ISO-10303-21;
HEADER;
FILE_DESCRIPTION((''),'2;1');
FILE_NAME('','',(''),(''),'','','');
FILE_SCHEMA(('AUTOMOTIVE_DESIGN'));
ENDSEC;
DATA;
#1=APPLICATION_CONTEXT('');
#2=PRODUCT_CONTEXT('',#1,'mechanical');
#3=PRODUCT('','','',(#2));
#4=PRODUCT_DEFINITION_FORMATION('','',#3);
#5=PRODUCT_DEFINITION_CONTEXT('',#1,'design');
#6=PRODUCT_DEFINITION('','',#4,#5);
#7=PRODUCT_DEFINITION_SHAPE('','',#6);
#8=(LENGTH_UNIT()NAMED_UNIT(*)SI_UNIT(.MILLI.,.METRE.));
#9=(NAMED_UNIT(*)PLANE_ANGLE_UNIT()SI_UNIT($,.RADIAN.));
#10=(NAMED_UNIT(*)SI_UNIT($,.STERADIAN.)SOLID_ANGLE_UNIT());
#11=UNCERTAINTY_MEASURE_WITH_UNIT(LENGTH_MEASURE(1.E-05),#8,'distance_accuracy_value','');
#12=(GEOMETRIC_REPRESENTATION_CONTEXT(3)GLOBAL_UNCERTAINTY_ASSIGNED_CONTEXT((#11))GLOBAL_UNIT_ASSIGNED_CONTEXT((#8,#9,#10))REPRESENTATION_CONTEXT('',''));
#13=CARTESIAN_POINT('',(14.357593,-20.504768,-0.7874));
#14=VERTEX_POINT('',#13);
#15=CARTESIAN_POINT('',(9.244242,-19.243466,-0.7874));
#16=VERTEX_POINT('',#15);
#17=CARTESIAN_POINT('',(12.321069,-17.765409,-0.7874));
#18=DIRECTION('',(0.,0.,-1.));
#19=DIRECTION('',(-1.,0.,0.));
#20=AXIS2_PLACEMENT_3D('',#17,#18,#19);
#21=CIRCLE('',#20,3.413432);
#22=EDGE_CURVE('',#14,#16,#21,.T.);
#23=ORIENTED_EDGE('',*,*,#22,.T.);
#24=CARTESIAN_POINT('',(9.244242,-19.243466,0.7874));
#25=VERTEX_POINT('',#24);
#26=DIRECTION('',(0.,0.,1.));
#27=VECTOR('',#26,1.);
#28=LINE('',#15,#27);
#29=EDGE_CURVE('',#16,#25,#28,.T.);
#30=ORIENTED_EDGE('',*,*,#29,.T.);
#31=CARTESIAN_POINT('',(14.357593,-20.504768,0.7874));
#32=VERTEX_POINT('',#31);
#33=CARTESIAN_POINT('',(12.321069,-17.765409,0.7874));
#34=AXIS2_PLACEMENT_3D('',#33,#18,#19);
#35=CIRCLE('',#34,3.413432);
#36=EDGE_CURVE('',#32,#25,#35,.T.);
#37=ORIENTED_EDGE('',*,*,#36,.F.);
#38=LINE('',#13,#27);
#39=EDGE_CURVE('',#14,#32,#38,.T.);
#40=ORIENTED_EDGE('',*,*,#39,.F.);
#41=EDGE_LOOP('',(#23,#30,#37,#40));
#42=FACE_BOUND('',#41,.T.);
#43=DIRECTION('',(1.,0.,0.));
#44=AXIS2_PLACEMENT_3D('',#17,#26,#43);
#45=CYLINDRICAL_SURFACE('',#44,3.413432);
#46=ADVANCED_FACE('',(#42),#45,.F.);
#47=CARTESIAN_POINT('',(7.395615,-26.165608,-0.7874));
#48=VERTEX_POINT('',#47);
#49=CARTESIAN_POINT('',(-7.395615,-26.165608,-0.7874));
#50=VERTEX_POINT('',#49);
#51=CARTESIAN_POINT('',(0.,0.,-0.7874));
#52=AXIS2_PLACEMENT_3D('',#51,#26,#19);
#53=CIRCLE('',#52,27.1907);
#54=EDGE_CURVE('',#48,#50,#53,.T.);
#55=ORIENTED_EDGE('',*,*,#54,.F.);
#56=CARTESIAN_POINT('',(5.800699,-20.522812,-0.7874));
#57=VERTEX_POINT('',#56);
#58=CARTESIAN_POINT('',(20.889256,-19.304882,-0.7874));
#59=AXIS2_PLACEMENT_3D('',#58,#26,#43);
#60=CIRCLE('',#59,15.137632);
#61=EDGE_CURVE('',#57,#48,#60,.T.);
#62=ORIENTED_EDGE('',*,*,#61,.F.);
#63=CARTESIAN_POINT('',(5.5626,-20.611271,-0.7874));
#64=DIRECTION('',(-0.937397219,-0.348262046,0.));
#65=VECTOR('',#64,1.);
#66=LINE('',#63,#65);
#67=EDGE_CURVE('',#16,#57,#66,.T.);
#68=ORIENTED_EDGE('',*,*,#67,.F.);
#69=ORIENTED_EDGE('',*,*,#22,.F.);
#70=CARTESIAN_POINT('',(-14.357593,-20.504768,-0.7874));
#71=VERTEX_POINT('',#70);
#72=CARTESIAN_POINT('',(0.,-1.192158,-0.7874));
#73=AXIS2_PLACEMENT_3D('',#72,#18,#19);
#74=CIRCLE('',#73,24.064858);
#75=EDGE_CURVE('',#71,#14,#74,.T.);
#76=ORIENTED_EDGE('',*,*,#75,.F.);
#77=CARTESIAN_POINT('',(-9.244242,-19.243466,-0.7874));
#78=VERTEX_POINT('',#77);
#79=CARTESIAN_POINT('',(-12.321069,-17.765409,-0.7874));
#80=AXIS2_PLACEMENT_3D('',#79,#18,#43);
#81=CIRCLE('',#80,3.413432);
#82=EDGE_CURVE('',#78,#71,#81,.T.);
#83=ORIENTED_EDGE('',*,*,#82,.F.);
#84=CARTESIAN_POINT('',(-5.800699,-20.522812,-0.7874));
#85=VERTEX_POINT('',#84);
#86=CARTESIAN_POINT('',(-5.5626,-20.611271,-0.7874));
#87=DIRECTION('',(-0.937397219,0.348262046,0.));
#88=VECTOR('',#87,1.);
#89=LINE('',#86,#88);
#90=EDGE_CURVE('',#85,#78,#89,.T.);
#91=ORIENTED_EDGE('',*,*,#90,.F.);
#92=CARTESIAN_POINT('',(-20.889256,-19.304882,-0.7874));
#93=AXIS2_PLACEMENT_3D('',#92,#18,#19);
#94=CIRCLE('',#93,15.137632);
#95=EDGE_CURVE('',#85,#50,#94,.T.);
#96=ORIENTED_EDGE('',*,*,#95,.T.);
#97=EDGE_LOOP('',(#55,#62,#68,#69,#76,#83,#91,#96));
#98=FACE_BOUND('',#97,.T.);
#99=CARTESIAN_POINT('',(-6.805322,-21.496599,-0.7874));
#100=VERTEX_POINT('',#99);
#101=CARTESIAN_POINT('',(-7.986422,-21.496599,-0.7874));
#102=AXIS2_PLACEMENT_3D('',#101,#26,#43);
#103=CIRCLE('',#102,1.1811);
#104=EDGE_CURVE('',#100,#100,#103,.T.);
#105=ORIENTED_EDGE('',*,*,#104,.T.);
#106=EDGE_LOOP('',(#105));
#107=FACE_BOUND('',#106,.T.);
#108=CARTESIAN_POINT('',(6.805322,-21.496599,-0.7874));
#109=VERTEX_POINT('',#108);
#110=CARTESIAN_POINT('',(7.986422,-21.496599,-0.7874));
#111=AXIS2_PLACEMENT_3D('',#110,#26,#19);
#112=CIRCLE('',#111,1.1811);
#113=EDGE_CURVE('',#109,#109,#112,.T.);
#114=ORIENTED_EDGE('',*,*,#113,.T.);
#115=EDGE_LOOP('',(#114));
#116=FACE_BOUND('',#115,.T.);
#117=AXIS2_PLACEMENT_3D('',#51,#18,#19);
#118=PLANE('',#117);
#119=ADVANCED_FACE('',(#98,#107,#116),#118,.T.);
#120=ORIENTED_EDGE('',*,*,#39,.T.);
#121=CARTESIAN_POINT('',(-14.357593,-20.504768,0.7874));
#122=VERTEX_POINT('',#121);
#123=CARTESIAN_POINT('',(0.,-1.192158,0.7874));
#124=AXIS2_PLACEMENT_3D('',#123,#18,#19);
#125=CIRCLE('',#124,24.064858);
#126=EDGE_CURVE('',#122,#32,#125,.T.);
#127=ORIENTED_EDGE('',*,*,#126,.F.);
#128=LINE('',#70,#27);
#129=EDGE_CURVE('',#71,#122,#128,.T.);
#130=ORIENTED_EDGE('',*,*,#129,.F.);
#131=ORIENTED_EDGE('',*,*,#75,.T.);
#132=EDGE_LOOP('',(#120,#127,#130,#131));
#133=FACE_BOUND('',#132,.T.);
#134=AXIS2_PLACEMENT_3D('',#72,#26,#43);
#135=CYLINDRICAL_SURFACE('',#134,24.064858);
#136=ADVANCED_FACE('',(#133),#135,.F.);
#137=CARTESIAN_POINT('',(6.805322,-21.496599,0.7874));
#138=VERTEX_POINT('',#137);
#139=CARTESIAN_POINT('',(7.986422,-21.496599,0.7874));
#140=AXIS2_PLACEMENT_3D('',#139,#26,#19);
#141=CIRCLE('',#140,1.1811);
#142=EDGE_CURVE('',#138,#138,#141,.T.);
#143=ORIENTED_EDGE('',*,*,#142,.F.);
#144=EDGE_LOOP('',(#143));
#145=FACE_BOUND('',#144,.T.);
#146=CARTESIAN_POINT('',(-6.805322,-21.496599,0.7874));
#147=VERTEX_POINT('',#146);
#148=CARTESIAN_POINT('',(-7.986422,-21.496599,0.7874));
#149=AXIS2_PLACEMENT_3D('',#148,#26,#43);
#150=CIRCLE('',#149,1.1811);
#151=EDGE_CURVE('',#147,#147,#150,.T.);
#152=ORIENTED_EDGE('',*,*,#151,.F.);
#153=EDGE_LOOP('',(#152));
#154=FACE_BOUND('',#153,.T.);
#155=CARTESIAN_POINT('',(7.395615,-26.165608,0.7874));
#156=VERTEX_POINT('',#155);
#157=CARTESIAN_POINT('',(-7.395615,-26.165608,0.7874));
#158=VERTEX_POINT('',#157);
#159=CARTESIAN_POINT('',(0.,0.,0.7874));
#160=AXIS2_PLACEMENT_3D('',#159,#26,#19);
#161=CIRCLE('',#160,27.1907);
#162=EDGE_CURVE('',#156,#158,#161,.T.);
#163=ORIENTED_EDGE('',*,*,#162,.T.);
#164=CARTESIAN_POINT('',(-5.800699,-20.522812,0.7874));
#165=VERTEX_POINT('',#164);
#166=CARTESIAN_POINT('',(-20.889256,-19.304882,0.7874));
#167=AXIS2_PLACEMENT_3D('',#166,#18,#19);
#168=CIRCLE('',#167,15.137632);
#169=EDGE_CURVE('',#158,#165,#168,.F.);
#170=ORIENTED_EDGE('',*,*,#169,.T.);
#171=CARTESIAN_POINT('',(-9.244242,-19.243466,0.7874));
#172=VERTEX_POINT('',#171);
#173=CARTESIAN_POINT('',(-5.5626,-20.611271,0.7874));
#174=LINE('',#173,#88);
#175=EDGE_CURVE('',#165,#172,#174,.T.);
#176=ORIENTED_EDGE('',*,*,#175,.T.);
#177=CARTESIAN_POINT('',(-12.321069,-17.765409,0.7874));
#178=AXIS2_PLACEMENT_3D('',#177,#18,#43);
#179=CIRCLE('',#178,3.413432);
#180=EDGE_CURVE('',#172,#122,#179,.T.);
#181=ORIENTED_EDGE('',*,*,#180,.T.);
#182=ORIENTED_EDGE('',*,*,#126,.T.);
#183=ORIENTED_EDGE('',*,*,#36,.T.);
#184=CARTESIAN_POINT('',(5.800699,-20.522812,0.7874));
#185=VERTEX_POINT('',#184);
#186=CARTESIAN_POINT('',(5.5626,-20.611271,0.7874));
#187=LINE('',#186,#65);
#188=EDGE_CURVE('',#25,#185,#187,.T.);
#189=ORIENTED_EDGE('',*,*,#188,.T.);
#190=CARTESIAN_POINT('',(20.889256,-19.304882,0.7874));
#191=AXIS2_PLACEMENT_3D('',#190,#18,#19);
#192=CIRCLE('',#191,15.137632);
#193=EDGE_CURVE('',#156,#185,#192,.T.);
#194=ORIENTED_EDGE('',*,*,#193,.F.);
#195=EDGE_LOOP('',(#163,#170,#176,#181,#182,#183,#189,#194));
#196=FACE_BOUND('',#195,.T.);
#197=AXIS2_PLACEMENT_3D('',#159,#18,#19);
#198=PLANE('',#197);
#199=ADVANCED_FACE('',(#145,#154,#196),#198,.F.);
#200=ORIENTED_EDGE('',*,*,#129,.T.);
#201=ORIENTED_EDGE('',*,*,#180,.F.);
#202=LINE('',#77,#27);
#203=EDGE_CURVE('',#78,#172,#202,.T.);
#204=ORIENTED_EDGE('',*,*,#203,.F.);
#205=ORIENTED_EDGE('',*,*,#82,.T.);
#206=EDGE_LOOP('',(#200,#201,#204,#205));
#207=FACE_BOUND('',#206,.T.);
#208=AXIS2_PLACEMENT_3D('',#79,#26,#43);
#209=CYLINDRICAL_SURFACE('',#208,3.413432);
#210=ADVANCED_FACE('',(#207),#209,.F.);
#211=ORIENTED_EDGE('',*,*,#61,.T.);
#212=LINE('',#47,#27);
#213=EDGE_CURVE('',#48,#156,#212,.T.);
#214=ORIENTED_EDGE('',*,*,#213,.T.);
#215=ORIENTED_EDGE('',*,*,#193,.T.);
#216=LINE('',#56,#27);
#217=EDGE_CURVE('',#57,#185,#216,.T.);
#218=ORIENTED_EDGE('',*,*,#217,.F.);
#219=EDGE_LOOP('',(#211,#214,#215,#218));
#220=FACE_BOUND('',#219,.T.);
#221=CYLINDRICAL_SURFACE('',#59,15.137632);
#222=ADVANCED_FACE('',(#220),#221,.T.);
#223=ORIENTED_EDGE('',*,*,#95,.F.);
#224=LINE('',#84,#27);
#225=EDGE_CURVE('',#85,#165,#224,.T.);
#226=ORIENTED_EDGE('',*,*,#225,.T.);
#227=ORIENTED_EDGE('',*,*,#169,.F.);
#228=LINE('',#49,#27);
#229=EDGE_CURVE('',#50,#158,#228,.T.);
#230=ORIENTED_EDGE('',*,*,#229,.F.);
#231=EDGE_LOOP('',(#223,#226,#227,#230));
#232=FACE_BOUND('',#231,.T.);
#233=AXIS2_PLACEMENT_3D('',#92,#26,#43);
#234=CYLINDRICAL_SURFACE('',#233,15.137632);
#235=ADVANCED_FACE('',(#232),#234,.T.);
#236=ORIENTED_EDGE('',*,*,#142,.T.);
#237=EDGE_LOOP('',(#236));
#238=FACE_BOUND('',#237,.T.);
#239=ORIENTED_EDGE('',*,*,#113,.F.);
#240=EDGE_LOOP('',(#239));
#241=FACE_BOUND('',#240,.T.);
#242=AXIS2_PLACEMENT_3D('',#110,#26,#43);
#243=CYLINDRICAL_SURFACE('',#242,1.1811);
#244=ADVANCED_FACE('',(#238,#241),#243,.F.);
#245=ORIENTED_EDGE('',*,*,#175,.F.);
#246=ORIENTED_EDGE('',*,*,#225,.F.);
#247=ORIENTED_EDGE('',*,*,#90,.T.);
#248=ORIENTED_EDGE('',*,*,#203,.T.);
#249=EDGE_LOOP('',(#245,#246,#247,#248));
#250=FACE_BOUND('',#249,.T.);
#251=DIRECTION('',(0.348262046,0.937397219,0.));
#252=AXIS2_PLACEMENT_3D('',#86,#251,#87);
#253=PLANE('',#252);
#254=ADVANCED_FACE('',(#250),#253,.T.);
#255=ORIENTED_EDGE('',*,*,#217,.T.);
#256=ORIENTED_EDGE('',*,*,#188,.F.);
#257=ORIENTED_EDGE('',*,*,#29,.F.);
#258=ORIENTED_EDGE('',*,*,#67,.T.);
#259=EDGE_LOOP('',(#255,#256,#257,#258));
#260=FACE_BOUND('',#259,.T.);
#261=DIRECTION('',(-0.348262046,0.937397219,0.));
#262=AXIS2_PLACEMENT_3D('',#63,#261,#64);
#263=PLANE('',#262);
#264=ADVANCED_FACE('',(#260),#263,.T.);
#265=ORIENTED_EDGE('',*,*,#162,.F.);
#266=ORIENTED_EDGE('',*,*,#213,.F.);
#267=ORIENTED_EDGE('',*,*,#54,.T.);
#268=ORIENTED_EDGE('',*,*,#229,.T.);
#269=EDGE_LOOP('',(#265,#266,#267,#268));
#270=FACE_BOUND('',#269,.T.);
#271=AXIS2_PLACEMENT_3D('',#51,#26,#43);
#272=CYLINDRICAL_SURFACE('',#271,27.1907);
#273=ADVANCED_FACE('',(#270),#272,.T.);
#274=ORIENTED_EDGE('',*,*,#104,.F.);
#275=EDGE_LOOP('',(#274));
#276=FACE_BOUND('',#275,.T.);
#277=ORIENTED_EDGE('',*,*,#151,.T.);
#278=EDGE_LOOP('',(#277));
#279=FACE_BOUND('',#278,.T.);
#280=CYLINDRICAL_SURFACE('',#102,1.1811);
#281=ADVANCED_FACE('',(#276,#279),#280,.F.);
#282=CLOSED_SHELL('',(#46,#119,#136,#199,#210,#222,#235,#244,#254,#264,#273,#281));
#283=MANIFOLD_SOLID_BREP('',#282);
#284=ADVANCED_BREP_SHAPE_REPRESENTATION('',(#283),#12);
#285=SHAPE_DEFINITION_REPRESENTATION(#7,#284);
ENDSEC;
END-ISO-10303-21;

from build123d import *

# Parameters (mm, degrees)
SKETCH3_R                = 1.1811
BOSS_EXTRUDE1_DEPTH      = 0.7874
BOSS_EXTRUDE1_DEPTH_BACK = 0.7874
CUT_EXTRUDE1_DEPTH       = 1.7874


with BuildPart() as part:
    # Sketch3 → Boss-Extrude1 (new body, two sides)
    with BuildSketch(Plane.XY) as boss_extrude1_sk:
        with BuildLine():
            Line((-7.084786794, -26.251475436), (-5.5626, -20.611270532))
            Line((-5.5626, -20.611270532), (-9.244241607, -19.243466133))
            ThreePointArc((-9.244241607, -19.243466133), (-11.503586026, -21.079506525), (-14.357593282, -20.504768227))
            ThreePointArc((-14.357593282, -20.504768227), (0, 22.8727), (14.357593282, -20.504768227))
            ThreePointArc((14.357593282, -20.504768227), (11.503586026, -21.079506525), (9.244241607, -19.243466133))
            Line((9.244241607, -19.243466133), (5.5626, -20.611270532))
            Line((5.5626, -20.611270532), (7.084786794, -26.251475436))
            ThreePointArc((7.084786794, -26.251475436), (0, 27.1907), (-7.084786794, -26.251475436))
        make_face()
        with Locations((-7.986421892, -21.496599331)):
            Circle(SKETCH3_R, mode=Mode.SUBTRACT)
        with Locations((7.986421892, -21.496599331)):
            Circle(SKETCH3_R, mode=Mode.SUBTRACT)
    extrude(amount=BOSS_EXTRUDE1_DEPTH)
    extrude(boss_extrude1_sk.sketch, amount=-BOSS_EXTRUDE1_DEPTH_BACK)

    # Sketch4 → Cut-Extrude1 (cut, symmetric)
    with BuildSketch(Plane.XY):
        with BuildLine():
            Line((-7.395614895, -26.165608092), (-7.395614895, -33.561222987))
            Line((-7.395614895, -33.561222987), (0, -33.561222987))
            Line((0, -33.561222987), (0, -27.1907))
            Line((0, -27.1907), (0, -20.522811972))
            Line((0, -20.522811972), (-5.800698894, -20.522811972))
            ThreePointArc((-5.800698894, -20.522811972), (-6.322313955, -23.422176045), (-7.395614895, -26.165608092))
        make_face()
    cut_extrude1 = extrude(amount=CUT_EXTRUDE1_DEPTH, both=True, mode=Mode.SUBTRACT)

    # Mirror1: Cut-Extrude1 across plane
    add(cut_extrude1.mirror(Plane(origin=(0, 0, 0), x_dir=(0, 0, 1), z_dir=(1, 0, 0))), mode=Mode.SUBTRACT)


solid = part.part
